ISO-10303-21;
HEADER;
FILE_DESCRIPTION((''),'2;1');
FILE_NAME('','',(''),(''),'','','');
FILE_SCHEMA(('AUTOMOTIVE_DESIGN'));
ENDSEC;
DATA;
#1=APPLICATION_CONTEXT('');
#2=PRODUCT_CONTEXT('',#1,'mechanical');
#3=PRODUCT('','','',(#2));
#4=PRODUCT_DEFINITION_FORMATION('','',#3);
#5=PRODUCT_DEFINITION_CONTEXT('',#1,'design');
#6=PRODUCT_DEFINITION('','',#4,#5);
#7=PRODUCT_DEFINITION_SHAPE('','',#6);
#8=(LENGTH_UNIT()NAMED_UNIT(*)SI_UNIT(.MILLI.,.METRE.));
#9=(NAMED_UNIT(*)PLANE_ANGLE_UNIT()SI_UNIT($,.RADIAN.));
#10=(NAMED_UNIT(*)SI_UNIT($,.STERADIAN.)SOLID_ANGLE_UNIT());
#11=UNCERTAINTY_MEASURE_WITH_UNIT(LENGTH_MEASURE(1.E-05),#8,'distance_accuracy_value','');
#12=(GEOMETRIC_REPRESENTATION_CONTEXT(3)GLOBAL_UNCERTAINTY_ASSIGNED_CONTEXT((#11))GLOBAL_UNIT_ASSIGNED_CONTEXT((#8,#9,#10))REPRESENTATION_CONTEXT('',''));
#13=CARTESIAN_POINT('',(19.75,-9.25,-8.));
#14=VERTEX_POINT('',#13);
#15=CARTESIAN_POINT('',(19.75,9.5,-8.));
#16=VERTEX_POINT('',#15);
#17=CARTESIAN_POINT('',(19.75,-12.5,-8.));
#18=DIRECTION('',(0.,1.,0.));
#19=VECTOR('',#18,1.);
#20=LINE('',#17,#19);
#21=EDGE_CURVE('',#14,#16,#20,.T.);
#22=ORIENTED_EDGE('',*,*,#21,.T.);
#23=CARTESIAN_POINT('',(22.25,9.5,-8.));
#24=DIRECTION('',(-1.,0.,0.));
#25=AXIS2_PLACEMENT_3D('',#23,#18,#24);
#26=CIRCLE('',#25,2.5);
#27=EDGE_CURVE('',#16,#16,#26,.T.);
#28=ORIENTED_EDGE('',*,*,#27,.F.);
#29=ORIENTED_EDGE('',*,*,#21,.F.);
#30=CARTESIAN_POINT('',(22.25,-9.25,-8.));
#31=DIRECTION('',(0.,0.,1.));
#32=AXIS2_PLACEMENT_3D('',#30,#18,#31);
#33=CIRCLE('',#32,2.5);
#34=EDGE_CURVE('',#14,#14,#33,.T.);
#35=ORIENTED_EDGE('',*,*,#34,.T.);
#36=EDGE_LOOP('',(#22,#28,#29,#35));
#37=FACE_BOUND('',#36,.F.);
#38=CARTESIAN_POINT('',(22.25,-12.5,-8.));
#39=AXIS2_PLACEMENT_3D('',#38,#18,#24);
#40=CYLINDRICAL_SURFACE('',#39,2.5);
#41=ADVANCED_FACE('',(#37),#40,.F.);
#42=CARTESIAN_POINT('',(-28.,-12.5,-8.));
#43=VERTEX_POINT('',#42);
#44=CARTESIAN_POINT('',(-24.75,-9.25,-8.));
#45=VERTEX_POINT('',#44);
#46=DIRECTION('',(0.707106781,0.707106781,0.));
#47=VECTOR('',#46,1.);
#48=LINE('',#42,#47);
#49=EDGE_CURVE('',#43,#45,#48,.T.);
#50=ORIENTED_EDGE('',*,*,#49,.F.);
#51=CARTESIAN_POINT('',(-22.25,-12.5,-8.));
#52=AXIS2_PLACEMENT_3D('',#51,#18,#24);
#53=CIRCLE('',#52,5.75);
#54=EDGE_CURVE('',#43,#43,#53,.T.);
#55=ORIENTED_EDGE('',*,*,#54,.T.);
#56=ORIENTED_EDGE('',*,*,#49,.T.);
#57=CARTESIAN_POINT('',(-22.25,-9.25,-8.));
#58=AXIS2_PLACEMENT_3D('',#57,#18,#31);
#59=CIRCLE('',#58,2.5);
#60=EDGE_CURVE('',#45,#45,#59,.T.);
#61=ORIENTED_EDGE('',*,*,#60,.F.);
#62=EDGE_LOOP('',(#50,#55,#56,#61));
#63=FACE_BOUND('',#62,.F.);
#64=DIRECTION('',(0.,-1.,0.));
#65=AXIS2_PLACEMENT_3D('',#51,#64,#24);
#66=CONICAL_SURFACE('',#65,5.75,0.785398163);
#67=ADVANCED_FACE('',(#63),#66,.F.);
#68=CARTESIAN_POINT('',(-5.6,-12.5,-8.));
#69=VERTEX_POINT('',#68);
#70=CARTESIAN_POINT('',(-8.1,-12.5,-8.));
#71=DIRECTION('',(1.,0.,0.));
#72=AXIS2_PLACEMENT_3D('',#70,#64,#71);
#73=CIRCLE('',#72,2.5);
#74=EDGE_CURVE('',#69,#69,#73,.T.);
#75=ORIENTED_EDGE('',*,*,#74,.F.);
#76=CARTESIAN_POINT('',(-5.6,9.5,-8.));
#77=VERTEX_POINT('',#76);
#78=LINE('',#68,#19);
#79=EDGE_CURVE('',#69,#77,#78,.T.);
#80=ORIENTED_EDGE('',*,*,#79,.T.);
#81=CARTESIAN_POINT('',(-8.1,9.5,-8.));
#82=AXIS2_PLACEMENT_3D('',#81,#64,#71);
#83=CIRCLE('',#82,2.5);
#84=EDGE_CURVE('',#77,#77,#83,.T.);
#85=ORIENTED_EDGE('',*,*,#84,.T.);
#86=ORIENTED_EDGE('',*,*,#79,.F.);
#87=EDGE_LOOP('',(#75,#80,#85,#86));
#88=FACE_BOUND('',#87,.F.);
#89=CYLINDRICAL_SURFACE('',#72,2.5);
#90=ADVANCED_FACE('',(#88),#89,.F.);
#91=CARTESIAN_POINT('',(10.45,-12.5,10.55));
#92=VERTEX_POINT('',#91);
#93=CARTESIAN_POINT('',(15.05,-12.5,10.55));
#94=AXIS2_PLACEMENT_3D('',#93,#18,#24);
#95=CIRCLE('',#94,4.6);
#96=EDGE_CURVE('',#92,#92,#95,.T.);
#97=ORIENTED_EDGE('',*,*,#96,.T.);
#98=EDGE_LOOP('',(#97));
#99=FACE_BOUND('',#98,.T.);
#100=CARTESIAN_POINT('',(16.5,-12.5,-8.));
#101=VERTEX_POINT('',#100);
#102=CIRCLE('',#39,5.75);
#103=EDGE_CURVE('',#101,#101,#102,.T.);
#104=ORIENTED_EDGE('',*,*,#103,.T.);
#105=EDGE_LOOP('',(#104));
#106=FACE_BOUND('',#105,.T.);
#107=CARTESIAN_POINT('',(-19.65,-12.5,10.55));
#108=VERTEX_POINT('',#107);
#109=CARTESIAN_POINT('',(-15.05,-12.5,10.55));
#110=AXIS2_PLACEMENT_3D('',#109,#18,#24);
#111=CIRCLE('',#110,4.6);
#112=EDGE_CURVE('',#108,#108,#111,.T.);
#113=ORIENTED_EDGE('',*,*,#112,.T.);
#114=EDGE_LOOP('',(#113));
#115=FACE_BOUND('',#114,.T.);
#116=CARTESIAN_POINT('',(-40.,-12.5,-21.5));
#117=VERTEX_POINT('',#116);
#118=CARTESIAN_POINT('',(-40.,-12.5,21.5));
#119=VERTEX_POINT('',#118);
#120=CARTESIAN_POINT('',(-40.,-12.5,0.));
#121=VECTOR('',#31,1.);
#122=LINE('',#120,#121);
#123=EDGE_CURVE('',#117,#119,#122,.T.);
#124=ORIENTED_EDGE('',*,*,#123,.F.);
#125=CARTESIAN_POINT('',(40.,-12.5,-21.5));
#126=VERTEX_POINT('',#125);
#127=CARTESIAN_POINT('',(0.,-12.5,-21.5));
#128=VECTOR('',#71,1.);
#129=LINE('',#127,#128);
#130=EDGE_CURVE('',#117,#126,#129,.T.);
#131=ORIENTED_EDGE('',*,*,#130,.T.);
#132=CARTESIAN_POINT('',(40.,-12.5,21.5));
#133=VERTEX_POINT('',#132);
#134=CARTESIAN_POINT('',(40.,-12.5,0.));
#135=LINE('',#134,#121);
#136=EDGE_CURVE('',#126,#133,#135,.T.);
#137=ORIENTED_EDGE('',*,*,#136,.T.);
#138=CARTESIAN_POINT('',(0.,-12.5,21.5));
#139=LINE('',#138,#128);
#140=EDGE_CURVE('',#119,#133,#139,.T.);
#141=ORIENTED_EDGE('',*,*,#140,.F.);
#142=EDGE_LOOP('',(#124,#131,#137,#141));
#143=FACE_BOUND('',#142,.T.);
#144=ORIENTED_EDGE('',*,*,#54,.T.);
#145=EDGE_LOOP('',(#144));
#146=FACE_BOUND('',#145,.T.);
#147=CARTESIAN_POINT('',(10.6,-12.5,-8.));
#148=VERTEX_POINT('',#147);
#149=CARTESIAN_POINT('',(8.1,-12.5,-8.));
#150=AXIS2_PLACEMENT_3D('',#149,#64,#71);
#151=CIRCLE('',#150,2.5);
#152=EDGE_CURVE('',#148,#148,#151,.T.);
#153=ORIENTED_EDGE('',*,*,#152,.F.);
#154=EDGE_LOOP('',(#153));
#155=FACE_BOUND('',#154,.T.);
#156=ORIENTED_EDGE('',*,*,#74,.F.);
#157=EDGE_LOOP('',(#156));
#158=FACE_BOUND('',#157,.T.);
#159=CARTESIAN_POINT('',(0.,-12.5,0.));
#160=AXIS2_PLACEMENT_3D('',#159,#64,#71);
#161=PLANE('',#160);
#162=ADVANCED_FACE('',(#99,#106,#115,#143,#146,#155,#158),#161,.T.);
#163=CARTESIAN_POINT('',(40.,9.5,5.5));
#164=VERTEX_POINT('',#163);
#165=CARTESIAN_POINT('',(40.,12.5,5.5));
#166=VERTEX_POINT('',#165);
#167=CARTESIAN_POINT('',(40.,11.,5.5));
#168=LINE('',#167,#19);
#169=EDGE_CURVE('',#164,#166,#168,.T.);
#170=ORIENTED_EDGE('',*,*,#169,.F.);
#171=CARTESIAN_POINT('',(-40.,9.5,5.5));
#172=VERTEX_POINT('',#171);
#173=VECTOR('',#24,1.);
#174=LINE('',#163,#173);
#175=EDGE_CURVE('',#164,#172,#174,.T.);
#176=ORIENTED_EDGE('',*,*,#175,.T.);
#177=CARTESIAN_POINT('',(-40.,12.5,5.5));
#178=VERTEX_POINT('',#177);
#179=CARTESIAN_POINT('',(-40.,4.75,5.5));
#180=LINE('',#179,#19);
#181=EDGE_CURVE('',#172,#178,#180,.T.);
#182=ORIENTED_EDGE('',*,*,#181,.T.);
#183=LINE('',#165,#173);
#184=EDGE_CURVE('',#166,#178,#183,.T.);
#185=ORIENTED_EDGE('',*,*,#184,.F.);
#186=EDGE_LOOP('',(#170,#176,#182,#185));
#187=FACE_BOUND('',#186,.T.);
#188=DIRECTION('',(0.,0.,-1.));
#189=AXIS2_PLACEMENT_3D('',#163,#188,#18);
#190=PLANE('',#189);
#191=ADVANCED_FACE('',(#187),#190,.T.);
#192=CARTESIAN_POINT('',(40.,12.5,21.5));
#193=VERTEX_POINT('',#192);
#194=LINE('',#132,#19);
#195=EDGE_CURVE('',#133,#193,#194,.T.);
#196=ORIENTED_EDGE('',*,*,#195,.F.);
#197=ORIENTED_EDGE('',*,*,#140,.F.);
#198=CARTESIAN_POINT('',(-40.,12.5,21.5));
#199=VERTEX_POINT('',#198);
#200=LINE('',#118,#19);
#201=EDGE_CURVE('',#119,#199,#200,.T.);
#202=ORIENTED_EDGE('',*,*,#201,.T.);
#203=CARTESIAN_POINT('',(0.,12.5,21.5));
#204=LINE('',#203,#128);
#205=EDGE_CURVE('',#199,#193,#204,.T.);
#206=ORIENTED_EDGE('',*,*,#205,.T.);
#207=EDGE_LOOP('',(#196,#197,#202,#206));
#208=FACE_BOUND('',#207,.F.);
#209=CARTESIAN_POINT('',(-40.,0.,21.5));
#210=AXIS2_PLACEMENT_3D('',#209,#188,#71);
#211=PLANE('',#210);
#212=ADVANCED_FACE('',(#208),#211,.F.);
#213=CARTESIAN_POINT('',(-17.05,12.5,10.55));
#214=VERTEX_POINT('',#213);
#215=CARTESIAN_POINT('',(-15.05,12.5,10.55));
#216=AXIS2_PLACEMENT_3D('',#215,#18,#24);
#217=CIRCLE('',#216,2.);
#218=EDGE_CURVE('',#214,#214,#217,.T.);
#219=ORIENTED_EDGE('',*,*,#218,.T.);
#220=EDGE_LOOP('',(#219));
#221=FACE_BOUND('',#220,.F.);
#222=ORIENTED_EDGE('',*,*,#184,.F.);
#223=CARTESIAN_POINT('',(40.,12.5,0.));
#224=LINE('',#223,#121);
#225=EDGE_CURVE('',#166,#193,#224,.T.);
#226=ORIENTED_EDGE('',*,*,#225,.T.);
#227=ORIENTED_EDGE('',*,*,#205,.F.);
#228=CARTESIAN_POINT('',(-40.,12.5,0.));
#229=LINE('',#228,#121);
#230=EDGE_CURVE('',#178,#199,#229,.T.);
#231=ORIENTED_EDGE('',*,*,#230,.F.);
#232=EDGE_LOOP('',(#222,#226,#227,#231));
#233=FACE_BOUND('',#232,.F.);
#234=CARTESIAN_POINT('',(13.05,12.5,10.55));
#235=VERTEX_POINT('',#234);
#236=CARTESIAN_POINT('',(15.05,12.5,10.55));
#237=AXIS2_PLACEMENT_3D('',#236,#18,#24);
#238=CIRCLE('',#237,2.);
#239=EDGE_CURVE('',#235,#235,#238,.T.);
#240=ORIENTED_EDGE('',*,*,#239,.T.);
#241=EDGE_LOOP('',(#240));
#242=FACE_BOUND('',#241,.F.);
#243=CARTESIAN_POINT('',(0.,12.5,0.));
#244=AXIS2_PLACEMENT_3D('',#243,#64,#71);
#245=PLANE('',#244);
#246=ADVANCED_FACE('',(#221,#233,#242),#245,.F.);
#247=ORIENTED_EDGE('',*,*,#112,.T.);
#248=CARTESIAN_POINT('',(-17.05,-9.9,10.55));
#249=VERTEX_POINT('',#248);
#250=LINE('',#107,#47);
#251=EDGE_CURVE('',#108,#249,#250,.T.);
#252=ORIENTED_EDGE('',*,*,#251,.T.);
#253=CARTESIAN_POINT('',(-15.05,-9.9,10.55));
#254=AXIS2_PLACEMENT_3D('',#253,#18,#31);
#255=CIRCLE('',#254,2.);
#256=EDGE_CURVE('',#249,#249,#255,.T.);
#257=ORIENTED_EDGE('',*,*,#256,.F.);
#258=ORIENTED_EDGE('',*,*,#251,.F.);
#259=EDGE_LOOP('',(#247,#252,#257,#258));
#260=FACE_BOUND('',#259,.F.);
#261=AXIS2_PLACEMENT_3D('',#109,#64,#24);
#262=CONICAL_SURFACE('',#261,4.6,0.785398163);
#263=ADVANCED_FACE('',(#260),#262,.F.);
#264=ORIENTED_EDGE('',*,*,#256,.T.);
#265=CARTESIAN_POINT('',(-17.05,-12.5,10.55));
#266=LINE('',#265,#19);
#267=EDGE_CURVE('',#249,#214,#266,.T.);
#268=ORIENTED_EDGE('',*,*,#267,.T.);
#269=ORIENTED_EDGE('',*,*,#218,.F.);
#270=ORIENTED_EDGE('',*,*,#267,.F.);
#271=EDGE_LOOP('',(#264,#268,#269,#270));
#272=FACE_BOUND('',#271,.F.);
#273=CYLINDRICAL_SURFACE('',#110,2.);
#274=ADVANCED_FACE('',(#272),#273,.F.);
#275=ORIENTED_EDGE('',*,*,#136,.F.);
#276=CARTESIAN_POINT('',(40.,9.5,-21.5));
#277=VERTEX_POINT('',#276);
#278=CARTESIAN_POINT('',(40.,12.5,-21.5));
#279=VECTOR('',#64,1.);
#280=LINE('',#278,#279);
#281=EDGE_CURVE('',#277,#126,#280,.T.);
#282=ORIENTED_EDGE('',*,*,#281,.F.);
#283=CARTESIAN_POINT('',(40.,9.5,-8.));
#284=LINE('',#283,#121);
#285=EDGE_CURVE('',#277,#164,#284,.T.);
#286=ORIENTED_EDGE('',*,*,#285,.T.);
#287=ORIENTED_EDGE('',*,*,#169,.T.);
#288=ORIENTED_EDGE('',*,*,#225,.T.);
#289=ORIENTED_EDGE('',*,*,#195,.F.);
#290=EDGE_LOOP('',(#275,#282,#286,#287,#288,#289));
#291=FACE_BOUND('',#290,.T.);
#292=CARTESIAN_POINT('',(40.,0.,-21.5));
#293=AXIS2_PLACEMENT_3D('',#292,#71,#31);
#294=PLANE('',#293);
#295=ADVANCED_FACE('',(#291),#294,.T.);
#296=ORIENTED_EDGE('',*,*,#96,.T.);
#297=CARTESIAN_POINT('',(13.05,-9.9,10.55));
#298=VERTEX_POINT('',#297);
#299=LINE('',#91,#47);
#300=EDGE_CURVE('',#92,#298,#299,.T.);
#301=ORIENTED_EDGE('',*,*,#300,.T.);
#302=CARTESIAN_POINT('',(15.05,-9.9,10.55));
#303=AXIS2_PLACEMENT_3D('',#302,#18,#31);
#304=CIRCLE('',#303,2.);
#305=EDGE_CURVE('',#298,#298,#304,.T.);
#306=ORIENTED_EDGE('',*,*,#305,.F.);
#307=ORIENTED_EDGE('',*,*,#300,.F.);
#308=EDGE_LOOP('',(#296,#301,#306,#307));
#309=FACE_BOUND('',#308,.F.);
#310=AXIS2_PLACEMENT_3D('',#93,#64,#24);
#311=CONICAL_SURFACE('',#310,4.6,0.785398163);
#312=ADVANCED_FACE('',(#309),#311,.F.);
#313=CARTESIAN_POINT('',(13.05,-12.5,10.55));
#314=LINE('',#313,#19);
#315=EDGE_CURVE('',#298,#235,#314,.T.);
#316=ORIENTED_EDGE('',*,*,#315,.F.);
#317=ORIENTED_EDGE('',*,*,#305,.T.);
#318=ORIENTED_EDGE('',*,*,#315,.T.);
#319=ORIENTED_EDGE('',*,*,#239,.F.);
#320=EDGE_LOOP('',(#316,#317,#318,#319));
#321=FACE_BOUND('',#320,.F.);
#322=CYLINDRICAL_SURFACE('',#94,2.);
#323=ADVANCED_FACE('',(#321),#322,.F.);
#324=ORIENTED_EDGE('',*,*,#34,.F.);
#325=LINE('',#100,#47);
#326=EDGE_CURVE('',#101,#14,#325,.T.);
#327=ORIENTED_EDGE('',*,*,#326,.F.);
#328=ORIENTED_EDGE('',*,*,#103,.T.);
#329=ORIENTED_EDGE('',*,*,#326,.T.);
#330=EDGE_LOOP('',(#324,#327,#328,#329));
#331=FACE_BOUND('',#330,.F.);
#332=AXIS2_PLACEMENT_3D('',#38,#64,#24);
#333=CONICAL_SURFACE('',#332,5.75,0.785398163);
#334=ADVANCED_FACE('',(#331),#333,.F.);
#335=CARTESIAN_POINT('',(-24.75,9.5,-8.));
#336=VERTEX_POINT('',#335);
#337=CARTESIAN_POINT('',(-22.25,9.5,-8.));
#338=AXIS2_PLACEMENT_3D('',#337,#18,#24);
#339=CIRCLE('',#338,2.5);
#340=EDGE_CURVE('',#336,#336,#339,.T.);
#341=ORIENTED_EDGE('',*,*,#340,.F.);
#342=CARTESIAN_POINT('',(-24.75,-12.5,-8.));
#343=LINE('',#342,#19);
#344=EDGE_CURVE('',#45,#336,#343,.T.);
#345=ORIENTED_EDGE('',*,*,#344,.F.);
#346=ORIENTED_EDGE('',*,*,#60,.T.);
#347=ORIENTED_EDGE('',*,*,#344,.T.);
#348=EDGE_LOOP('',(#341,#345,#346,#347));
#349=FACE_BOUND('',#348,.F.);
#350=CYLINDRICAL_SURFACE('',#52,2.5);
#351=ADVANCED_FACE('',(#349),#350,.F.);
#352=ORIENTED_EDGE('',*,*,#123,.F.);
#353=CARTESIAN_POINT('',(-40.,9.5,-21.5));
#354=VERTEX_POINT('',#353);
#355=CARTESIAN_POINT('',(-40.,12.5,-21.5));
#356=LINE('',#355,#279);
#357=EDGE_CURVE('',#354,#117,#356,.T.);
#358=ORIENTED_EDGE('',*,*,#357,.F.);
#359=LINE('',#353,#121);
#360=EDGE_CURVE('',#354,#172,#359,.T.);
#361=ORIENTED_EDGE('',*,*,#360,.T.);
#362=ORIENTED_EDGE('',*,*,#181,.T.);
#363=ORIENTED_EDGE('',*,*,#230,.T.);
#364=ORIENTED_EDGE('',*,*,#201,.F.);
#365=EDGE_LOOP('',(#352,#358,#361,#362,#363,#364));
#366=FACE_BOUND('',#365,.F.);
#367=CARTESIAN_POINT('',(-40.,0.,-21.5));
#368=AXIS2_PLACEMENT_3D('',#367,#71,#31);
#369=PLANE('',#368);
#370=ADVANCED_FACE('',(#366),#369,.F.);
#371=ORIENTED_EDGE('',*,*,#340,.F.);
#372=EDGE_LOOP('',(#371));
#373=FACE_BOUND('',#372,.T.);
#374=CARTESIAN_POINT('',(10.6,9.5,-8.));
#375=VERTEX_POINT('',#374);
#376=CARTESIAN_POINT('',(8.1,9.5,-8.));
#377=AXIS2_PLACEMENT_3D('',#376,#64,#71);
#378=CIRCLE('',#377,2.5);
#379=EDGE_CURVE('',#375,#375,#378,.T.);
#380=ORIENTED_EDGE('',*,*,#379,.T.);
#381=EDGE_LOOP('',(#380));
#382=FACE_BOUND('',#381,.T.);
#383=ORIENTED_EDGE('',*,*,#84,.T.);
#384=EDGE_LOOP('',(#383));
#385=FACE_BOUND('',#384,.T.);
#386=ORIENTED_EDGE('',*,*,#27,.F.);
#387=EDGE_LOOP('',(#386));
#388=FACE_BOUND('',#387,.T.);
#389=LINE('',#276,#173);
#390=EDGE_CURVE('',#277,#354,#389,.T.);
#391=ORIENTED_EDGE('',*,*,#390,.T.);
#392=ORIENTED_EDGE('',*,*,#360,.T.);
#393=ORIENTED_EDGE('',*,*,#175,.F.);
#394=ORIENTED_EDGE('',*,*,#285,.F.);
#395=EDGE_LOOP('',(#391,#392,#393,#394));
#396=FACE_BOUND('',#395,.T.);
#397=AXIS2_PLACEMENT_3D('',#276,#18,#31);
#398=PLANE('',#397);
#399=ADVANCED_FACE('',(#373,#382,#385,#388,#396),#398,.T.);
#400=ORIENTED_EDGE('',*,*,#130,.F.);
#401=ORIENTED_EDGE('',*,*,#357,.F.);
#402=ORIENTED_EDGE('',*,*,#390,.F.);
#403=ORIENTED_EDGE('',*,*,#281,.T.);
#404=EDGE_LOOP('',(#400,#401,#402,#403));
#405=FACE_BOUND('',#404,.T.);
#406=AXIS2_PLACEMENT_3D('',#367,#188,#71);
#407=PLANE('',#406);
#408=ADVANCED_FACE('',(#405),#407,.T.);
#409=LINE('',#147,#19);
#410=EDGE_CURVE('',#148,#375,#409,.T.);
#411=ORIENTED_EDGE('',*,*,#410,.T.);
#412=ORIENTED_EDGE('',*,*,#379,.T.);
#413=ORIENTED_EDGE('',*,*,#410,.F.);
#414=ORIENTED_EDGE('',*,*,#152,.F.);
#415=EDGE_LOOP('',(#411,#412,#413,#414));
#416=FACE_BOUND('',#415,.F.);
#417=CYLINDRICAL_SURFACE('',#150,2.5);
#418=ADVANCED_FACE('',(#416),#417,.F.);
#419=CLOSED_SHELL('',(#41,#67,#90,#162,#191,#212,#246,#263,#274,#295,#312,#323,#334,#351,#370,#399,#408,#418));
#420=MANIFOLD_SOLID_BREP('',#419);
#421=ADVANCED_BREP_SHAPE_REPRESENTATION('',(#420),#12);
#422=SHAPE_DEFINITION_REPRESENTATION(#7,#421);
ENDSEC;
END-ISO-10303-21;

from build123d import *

# Parameters (mm, degrees)
F0_W           = 80
F0_H           = 43
F1_DEPTH       = 12.5
F2_W           = 3
F2_H           = 27
F3_DEPTH       = 80.001
F5_D           = 4
F5_CSINK_D     = 9.2
F5_CSINK_ANGLE = 90
F7_D           = 5
F7_CSINK_D     = 11.5
F7_CSINK_ANGLE = 90
F6_R           = 2.5
F8_DEPTH       = 25.001


with BuildPart() as f1:
    # F0 (on Front) → F1 (new body, symmetric)
    with BuildSketch(Plane.XZ):
        Rectangle(F0_W, F0_H)
    extrude(amount=F1_DEPTH, both=True)

    # F2 (on face) → F3 (cut, through all)
    with BuildSketch(Plane.YZ.offset(40)):
        with Locations((11, -8)):
            Rectangle(F2_W, F2_H)
    extrude(amount=-F3_DEPTH, mode=Mode.SUBTRACT)

    # F5 (through all)
    with Locations(Plane.XZ.offset(12.5)):
        with Locations((-15.05, 10.55), (15.05, 10.55)):
            CounterSinkHole(F5_D / 2, F5_CSINK_D / 2, counter_sink_angle=F5_CSINK_ANGLE)

    # F7 (through all)
    with Locations(Plane.XZ.offset(12.5)):
        with Locations((-22.25, -8), (22.25, -8)):
            CounterSinkHole(F7_D / 2, F7_CSINK_D / 2, counter_sink_angle=F7_CSINK_ANGLE)

    # F6 (on face) → F8 (cut, through all)
    with BuildSketch(Plane.XZ.offset(12.5)):
        with Locations((-8.1, -8)):
            Circle(F6_R)
        with Locations((8.1, -8)):
            Circle(F6_R)
    extrude(amount=-F8_DEPTH, mode=Mode.SUBTRACT)


solid = f1.part
